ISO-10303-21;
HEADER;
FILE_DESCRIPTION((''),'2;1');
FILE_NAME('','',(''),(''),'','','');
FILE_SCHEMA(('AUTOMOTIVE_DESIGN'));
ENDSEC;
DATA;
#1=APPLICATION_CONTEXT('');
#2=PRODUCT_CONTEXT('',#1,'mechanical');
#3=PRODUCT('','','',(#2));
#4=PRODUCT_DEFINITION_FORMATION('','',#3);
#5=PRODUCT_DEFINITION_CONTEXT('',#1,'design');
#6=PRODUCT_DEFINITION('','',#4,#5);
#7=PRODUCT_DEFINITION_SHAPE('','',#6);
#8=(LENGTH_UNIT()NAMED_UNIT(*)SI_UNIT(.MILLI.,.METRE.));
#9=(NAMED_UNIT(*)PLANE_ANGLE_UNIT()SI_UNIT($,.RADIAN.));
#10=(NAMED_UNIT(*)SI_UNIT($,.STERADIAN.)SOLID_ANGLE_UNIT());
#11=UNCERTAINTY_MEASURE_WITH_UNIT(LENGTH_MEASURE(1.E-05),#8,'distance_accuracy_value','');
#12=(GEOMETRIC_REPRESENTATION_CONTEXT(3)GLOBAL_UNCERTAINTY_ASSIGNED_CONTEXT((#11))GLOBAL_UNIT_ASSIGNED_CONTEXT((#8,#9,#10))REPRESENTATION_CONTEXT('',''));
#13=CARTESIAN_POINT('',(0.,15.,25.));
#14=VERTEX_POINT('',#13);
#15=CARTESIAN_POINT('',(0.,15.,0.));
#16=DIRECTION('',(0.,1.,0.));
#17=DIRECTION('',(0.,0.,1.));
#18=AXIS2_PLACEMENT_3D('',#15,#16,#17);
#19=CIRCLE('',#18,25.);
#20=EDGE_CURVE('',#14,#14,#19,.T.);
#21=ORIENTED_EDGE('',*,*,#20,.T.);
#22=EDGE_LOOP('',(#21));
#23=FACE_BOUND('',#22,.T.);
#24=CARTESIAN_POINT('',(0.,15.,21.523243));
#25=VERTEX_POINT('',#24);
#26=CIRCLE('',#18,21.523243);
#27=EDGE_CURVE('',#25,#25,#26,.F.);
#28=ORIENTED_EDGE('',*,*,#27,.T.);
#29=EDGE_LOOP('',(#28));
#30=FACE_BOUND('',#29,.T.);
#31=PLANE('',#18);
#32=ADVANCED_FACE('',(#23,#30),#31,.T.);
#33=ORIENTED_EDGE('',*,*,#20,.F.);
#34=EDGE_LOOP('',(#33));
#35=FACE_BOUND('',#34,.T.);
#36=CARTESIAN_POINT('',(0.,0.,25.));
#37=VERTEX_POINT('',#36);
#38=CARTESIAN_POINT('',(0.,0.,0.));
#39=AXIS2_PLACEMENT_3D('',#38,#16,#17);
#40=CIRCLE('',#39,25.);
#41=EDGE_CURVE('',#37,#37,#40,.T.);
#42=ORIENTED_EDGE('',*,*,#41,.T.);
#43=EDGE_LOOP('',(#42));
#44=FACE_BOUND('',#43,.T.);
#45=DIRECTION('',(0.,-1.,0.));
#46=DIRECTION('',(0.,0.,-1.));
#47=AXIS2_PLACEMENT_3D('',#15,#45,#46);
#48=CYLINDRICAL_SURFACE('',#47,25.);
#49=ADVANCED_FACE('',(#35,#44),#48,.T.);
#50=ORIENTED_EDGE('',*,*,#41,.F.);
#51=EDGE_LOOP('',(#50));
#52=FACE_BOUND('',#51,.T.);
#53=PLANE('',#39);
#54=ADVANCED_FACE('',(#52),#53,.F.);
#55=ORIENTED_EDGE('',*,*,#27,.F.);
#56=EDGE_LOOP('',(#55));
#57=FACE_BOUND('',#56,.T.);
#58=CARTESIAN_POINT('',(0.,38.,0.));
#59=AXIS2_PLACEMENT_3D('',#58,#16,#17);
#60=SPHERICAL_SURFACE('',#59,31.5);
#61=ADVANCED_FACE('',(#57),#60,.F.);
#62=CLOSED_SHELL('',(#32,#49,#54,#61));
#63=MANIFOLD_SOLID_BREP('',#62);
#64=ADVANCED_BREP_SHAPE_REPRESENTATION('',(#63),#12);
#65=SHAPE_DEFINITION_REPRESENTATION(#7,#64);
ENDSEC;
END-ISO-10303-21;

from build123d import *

# Parameters (mm, degrees)
SKETCH_1_R          = 25
EXTRUDE_1_DEPTH     = 15
CUT_REVOLVE_1_ANGLE = 270


with BuildPart() as part:
    # 草图1 → 凸台-拉伸1 (new body)
    with BuildSketch(Plane(origin=(0, 0, 0), x_dir=(1, 0, 0), z_dir=(0, 1, 0))):
        with Locations(Location((0, 0, 0), (0, 0, 270))):
            Circle(SKETCH_1_R)
    extrude(amount=EXTRUDE_1_DEPTH)

    # 草图2 → 切除-旋转1 (revolve, cut)
    with BuildSketch(Plane.XY):
        with BuildLine():
            Line((-31.5, 38), (0, 38))
            Line((0, 38), (31.5, 38))
            ThreePointArc((31.5, 38), (0, 69.5), (-31.5, 38))
        make_face()
    revolve(axis=Axis((0, 38, 0), (1, 0, 0)), revolution_arc=CUT_REVOLVE_1_ANGLE, mode=Mode.SUBTRACT)


solid = part.part
